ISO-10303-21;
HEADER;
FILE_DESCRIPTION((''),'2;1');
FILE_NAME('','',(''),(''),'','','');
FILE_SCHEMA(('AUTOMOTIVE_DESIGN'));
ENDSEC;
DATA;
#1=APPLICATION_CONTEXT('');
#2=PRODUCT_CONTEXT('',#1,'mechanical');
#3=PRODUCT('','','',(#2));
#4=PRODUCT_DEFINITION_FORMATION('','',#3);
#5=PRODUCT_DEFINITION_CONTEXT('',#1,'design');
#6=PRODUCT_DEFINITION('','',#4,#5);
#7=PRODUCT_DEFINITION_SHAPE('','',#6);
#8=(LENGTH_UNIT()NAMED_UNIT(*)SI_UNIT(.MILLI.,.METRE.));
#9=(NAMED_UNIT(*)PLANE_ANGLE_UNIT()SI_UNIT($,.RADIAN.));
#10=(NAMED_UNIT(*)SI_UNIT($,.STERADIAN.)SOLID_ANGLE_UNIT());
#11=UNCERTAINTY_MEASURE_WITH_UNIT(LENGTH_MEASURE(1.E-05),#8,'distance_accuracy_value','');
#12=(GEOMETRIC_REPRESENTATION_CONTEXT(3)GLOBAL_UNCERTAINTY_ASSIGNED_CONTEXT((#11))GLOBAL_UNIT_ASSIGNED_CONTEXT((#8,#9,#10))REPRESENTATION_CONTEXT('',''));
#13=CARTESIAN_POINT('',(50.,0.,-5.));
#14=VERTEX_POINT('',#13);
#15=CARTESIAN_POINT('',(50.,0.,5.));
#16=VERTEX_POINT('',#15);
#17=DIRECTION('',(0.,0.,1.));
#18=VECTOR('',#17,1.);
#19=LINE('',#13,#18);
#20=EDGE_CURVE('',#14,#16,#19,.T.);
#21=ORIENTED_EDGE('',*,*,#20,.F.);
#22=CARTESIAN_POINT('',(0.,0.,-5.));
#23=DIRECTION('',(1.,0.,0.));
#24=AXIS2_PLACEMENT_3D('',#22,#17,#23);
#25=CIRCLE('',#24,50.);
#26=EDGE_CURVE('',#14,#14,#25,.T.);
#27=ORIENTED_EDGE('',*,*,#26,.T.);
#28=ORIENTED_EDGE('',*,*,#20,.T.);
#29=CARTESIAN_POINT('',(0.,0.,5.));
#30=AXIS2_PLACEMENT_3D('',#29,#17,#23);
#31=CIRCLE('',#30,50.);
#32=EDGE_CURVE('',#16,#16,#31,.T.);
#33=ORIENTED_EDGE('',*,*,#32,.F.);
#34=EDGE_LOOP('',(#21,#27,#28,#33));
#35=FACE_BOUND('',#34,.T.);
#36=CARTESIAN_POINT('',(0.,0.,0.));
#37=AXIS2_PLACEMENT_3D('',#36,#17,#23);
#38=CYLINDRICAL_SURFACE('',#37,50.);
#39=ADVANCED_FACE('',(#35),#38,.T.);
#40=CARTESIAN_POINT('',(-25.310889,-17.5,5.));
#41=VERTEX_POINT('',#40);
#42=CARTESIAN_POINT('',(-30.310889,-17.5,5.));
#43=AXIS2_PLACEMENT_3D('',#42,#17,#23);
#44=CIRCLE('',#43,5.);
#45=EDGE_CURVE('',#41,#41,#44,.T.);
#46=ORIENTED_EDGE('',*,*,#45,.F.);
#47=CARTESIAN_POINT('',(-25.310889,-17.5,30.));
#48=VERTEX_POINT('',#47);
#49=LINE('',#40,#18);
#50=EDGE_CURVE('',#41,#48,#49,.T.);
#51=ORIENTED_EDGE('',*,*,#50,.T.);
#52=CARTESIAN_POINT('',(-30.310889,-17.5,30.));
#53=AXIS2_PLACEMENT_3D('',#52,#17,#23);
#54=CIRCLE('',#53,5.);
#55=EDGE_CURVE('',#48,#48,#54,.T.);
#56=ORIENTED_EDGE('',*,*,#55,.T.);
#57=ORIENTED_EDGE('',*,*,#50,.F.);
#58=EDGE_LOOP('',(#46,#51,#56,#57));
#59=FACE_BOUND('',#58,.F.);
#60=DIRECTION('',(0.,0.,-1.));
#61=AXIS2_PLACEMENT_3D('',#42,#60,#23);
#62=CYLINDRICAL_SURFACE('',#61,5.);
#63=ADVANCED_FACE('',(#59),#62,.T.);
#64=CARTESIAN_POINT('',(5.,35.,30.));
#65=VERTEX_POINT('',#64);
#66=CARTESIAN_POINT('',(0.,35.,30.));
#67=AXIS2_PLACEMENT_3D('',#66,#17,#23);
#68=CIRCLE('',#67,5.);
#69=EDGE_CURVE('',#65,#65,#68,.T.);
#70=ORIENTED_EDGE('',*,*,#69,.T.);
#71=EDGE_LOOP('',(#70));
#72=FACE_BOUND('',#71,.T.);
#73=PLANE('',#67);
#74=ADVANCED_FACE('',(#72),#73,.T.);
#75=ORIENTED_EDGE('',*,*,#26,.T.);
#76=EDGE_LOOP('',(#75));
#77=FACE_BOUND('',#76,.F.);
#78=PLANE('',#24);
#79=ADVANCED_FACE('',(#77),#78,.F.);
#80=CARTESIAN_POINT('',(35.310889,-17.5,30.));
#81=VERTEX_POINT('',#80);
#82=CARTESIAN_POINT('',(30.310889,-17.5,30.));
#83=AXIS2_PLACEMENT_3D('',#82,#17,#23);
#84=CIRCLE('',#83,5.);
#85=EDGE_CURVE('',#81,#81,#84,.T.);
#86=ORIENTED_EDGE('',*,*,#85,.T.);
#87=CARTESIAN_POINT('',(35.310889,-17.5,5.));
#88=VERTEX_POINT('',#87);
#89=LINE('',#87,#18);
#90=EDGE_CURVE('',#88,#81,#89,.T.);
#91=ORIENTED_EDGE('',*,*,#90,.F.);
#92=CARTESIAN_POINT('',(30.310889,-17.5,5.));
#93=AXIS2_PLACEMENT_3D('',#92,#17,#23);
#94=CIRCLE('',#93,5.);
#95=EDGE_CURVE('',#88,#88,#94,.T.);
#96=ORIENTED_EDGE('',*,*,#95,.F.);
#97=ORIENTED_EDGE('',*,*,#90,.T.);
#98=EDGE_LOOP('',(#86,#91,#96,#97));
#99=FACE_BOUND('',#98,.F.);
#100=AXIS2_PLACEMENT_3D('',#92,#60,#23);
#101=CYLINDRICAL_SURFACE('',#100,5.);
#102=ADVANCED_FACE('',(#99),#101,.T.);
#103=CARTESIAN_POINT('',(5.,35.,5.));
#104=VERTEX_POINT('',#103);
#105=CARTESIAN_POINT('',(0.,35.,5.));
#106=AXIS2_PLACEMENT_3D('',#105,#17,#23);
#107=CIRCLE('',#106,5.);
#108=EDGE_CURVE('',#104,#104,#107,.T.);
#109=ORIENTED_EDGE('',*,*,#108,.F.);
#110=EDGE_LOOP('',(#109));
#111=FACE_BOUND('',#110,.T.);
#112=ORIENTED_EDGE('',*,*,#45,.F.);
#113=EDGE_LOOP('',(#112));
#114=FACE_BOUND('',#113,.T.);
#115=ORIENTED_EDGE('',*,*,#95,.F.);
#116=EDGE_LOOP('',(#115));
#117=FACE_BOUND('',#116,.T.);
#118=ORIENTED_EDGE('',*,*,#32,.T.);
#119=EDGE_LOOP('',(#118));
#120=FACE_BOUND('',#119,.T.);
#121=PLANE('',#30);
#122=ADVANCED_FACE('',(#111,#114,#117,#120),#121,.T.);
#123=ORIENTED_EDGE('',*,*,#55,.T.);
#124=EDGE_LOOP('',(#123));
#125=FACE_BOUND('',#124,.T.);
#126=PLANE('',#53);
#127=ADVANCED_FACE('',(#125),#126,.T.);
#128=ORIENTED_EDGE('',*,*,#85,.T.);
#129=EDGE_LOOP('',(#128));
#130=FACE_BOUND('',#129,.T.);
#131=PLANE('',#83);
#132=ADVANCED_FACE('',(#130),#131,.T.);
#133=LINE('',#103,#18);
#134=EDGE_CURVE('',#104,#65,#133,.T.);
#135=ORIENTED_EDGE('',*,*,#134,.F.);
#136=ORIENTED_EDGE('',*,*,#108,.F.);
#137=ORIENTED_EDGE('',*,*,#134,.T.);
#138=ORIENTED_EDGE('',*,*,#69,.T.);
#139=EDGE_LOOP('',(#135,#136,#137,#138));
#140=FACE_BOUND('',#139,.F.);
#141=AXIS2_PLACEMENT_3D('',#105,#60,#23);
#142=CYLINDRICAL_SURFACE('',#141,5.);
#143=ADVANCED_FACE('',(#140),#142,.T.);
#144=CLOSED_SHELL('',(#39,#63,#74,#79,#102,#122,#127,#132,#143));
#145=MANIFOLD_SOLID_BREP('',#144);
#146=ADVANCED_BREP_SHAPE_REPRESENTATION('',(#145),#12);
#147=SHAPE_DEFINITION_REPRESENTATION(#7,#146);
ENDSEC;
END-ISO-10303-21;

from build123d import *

# Parameters (mm, degrees)
F0_R     = 50
F1_DEPTH = 5
F2_R     = 5
F3_DEPTH = 25


with BuildPart() as f1:
    # F0 (on Top) → F1 (new body, symmetric)
    with BuildSketch(Plane.XY):
        Circle(F0_R)
    extrude(amount=F1_DEPTH, both=True)

    # F2 (on face) → F3 (join)
    with BuildSketch(Plane.XY.offset(5)):
        with Locations((0, 35)):
            Circle(F2_R)
        with Locations((30.310889, -17.5)):
            Circle(F2_R)
        with Locations((-30.310889, -17.5)):
            Circle(F2_R)
    extrude(amount=F3_DEPTH)


solid = f1.part
